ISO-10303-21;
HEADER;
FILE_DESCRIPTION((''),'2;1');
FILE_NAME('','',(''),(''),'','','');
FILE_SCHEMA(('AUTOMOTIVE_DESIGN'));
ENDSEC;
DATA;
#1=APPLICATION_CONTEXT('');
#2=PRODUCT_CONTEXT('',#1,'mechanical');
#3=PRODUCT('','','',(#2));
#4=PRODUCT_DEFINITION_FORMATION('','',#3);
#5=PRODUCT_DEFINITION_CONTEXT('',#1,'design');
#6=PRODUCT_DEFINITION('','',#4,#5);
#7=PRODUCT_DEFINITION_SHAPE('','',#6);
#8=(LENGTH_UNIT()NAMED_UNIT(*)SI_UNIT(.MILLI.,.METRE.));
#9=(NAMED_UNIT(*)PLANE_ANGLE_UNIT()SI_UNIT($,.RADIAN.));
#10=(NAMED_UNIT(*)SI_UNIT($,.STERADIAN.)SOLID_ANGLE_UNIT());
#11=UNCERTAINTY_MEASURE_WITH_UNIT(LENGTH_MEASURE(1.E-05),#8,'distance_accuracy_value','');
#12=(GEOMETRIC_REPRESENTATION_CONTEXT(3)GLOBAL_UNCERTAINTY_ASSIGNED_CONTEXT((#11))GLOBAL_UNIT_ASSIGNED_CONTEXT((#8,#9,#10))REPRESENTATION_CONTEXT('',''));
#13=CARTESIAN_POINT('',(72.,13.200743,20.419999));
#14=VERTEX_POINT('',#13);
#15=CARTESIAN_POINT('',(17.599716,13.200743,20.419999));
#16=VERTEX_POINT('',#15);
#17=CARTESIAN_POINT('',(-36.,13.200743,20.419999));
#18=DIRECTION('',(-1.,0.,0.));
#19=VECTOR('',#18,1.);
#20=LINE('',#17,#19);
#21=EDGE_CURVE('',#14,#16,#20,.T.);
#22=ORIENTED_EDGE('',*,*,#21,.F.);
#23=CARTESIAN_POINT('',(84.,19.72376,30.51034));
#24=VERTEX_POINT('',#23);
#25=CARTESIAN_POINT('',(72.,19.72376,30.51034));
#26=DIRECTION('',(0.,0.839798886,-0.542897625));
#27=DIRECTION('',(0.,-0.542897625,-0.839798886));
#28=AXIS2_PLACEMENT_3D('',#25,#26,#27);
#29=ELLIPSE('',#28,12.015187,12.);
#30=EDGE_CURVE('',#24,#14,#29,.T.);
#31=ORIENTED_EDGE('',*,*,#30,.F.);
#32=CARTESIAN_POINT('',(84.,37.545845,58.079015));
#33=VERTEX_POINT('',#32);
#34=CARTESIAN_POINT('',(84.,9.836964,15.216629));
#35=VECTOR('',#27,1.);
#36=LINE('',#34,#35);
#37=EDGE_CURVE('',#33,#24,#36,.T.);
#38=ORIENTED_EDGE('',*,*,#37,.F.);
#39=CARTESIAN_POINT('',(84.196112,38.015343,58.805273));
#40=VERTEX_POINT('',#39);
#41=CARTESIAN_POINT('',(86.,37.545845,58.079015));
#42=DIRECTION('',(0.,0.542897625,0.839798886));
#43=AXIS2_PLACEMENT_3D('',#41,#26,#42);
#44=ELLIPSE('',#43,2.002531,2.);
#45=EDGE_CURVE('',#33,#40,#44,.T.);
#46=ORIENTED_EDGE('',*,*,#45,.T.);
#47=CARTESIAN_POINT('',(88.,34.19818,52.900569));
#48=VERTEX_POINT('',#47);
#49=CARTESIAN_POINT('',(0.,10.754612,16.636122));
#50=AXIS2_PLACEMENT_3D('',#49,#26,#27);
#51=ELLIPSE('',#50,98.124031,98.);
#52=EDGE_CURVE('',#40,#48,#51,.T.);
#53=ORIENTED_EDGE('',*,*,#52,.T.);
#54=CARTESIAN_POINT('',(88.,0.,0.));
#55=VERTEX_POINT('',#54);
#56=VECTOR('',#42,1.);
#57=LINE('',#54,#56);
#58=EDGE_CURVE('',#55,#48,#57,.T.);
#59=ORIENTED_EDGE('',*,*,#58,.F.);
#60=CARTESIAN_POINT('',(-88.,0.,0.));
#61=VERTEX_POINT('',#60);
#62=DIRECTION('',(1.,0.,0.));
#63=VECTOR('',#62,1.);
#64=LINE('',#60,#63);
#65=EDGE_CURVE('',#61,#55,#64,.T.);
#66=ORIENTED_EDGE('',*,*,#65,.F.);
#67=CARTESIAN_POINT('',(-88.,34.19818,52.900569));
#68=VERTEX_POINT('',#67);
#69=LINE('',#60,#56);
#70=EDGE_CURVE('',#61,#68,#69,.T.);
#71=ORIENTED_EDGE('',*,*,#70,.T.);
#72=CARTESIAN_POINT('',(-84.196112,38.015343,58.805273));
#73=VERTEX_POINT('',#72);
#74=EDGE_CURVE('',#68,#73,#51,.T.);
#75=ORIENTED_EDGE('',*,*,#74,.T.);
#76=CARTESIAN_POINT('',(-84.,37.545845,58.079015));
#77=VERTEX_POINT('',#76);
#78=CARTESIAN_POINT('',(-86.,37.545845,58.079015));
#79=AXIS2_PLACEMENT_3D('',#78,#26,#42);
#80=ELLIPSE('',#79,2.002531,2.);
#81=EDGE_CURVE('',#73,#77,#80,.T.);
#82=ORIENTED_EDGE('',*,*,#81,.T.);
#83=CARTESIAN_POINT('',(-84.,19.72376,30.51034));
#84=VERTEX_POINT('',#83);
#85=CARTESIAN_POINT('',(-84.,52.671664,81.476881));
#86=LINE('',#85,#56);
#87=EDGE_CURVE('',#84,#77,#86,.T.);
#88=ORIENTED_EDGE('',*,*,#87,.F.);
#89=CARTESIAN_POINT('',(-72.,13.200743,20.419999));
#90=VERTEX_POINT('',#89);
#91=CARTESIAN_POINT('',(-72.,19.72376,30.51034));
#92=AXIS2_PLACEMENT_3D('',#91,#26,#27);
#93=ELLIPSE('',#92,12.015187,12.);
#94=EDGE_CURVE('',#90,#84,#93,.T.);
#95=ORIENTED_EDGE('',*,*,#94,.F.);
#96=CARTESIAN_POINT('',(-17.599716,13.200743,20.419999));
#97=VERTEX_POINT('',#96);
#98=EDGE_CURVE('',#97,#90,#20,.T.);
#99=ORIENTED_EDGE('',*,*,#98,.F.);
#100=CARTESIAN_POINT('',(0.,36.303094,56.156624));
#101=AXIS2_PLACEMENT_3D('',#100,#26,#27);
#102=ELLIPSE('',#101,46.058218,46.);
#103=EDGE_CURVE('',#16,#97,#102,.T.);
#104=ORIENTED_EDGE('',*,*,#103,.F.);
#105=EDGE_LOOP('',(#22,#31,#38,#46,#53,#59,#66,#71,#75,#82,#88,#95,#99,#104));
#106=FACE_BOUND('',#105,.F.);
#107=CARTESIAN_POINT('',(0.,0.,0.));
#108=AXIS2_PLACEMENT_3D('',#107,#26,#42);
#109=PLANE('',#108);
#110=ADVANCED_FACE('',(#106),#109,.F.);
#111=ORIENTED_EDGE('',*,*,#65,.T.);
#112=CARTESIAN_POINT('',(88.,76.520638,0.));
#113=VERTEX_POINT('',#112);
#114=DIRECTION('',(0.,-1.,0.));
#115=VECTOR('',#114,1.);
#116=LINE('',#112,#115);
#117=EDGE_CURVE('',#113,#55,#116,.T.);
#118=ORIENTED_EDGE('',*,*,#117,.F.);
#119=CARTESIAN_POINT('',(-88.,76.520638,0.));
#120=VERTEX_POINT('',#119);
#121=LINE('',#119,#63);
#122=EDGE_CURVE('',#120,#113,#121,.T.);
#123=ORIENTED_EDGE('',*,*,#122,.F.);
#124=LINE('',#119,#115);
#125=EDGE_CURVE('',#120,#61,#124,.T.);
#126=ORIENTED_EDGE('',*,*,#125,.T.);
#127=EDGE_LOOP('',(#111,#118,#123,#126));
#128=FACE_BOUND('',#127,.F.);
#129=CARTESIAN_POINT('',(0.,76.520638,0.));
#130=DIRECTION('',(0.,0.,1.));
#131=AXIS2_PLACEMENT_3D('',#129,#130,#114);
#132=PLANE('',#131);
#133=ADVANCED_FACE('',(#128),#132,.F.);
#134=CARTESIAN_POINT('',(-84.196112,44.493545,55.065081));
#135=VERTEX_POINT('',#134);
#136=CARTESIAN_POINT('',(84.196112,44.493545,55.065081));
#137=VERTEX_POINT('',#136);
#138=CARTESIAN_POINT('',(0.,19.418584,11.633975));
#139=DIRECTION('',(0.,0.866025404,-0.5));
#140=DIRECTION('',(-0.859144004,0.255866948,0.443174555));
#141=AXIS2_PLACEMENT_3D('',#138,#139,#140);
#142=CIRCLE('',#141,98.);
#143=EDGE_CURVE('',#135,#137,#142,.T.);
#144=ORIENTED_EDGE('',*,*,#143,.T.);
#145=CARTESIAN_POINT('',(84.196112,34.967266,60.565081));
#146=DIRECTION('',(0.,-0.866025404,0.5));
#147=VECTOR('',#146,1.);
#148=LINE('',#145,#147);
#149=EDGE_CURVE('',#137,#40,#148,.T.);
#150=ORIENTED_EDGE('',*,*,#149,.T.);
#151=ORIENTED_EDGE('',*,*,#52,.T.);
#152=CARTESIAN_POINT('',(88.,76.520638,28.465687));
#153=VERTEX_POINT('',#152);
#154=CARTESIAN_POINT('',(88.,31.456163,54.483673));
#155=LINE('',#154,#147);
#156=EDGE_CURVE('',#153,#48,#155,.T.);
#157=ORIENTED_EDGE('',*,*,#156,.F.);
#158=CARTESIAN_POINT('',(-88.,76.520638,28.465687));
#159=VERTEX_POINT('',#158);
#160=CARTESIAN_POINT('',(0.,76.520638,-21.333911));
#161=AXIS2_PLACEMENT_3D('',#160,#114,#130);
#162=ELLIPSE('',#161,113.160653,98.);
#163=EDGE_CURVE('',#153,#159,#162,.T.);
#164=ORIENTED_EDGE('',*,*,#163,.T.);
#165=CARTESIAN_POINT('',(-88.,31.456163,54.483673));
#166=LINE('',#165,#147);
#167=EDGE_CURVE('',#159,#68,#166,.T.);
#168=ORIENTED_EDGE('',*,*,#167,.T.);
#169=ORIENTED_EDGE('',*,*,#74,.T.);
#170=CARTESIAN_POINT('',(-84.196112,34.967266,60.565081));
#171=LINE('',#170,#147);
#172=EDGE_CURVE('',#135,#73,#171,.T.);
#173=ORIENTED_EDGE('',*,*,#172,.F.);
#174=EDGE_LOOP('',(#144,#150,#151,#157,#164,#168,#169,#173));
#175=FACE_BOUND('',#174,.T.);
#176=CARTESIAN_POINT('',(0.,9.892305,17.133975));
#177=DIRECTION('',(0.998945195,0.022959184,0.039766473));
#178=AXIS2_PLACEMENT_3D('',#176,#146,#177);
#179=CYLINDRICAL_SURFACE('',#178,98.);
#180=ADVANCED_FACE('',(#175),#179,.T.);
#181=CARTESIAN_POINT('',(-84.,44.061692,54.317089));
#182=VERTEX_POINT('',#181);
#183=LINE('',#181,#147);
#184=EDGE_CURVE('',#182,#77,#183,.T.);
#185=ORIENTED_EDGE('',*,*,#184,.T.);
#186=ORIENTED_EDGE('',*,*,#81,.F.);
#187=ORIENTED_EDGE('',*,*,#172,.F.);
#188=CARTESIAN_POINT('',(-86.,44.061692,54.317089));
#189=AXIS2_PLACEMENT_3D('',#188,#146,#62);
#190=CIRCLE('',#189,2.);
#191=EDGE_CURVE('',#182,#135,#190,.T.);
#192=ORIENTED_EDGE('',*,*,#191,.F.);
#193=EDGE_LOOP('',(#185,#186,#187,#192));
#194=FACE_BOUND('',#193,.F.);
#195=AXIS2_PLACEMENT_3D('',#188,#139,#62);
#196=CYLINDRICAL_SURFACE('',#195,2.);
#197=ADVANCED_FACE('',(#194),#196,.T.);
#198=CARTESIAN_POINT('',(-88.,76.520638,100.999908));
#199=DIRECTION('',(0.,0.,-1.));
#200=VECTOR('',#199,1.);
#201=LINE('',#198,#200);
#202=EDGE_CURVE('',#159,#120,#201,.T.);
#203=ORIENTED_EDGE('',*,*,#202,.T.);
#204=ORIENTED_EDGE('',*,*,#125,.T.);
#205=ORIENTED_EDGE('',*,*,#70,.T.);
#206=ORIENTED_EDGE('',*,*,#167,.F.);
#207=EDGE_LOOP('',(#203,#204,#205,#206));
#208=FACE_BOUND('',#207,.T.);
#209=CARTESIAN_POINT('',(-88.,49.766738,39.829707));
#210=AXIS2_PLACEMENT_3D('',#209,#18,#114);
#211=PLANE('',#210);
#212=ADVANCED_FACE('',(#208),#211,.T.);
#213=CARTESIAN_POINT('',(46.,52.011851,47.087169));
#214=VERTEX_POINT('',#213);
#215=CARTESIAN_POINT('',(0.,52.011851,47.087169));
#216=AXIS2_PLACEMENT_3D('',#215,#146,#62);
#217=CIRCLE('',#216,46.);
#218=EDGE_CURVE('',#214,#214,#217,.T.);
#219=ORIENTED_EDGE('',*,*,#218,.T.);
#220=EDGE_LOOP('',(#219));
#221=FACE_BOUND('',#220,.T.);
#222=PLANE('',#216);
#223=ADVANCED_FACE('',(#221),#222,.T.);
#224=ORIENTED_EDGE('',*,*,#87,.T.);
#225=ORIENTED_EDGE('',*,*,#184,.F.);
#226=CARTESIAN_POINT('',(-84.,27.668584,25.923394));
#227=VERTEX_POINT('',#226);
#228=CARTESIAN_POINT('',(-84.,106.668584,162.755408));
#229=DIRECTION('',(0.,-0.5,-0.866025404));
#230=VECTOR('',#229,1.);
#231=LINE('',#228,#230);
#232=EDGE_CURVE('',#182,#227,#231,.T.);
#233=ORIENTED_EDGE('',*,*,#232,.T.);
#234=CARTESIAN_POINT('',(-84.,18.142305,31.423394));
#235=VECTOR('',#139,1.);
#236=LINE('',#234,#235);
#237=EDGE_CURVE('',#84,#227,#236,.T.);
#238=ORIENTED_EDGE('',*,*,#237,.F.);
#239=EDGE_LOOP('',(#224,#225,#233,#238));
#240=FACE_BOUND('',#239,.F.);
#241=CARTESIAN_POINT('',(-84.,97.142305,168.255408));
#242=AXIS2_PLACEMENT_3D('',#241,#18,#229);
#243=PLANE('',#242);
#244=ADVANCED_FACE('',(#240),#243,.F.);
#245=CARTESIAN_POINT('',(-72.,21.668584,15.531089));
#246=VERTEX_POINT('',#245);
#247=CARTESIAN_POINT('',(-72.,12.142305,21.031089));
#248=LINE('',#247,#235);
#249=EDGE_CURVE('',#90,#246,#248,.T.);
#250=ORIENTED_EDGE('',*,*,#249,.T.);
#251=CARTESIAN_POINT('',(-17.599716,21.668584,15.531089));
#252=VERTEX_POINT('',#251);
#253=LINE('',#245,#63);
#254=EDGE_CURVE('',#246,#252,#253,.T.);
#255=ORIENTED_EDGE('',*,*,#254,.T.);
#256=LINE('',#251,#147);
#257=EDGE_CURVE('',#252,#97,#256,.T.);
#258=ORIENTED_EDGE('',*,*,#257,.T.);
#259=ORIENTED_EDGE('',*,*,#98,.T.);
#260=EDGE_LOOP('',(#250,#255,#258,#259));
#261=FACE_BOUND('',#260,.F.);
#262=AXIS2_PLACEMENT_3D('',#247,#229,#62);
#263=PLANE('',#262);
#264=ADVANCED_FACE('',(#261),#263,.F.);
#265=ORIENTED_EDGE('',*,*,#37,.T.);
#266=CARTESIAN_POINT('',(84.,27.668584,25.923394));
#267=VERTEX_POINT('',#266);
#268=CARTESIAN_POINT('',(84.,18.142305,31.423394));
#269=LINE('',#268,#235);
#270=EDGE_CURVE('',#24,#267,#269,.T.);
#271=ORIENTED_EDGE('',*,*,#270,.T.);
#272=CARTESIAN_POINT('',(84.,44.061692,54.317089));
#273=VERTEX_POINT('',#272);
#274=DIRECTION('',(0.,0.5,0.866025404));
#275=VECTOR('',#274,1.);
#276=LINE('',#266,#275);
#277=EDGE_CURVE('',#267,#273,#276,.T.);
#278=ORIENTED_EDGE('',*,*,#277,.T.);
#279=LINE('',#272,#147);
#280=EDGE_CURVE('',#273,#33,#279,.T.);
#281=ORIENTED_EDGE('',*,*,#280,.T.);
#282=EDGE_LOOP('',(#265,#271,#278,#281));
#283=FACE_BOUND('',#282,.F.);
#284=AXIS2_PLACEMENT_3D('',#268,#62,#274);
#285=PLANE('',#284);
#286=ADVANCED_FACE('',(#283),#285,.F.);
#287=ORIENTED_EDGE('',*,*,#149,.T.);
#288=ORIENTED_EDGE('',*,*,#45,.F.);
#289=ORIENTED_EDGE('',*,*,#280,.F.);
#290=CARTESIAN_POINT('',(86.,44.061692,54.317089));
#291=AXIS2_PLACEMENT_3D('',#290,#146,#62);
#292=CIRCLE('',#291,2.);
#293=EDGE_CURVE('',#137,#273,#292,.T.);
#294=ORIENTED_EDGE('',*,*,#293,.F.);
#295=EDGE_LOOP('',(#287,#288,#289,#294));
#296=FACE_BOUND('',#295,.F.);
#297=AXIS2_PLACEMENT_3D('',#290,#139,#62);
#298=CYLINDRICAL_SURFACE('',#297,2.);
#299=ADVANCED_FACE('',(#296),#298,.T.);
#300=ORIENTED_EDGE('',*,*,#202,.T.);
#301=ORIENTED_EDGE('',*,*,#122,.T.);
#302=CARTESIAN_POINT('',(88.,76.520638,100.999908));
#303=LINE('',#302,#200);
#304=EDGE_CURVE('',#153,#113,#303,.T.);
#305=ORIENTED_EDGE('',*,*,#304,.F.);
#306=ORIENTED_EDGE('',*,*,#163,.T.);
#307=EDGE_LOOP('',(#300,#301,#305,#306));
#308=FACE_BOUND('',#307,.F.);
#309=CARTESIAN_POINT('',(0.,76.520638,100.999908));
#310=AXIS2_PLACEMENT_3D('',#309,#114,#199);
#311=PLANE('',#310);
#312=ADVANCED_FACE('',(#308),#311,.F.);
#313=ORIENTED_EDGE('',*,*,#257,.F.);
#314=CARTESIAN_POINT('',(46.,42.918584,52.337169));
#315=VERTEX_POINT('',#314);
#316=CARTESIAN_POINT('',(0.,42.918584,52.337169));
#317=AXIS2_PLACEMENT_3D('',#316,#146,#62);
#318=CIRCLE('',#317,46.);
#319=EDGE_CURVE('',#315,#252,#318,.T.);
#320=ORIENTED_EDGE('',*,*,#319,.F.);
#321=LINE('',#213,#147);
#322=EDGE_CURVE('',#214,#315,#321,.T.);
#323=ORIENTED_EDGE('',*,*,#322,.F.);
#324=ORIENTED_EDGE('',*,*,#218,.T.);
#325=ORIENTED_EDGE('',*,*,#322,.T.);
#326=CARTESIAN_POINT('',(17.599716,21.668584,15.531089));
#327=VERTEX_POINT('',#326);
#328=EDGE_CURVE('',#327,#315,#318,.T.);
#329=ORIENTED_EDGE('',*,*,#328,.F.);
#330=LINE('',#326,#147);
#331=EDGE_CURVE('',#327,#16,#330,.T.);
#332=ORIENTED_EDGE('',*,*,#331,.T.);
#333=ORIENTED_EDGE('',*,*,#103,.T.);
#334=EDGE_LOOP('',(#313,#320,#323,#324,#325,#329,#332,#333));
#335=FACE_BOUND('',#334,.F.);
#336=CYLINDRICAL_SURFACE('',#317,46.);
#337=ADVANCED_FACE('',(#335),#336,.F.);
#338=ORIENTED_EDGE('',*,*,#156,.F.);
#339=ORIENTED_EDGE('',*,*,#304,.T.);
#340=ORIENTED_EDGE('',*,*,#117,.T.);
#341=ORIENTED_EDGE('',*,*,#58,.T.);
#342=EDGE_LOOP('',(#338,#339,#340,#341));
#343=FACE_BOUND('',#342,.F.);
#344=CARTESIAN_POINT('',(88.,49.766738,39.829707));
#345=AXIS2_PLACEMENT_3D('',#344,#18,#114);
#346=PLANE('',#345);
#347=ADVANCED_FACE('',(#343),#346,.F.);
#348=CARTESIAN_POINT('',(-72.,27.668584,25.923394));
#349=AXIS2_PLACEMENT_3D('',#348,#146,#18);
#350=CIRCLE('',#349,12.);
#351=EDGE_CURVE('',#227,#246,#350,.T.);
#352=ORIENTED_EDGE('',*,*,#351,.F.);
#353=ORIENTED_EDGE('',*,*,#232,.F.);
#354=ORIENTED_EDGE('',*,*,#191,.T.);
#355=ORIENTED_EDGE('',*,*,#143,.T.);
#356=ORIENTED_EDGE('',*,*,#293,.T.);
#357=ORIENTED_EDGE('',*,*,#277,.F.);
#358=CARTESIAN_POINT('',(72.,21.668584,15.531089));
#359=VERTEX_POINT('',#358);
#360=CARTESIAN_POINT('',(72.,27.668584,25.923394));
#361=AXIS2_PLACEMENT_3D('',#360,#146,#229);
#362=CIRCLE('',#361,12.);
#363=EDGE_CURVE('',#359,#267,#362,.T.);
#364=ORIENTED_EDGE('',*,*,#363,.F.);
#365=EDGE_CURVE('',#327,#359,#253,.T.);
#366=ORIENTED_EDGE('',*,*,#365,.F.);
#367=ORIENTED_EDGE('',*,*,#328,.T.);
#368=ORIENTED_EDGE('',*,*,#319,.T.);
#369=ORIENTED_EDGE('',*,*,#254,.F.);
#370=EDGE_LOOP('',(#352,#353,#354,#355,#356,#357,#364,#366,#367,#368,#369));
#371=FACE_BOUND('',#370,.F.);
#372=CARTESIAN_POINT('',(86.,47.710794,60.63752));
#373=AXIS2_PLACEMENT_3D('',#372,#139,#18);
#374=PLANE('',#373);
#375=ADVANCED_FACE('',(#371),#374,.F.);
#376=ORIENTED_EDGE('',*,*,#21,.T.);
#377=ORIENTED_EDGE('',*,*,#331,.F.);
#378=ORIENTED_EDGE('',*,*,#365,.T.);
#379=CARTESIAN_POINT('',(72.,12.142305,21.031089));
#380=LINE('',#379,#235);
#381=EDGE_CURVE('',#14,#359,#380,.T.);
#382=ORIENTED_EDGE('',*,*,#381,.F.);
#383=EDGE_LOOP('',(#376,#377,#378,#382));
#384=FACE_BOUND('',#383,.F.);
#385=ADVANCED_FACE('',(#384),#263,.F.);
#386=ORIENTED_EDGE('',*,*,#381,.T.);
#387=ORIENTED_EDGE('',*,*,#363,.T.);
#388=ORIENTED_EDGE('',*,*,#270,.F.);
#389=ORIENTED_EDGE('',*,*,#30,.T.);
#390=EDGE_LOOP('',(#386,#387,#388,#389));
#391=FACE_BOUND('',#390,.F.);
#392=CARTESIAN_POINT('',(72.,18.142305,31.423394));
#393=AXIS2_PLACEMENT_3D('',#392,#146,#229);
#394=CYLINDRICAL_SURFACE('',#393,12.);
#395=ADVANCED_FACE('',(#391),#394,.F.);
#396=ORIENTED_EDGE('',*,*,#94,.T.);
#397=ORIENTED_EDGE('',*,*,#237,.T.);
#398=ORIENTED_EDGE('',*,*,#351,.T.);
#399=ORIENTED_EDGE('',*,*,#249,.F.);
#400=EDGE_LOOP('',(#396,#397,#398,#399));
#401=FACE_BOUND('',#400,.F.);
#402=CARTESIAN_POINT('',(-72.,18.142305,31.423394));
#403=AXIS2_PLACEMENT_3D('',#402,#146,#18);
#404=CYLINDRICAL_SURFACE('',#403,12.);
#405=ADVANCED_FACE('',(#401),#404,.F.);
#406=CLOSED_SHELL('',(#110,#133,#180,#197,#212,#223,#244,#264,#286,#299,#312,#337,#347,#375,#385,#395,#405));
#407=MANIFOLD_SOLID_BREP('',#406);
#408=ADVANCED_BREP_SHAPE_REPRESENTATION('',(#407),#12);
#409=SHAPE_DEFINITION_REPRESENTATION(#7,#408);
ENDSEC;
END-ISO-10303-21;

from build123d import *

# Parameters (mm, degrees)
PAD_DEPTH       = 88
POCKET_DEPTH    = 11
SKETCH011_R     = 46
POCKET001_DEPTH = 10.5
POCKET002_DEPTH = 66.2698164218
POCKET003_DEPTH = 10


with BuildPart() as part:
    # Sketch → Pad (new body, symmetric)
    with BuildSketch(Plane.YZ):
        Polygon((0, 0), (65.2925492254, 100.9999079658), (76.520638, 100.9999079658), (76.520638, 0), align=None)
    extrude(amount=PAD_DEPTH, both=True)

    # Sketch010 (on DatumPlane) → Pocket (cut)
    with BuildSketch(Plane(origin=(0, 54.6423048454, 94.6432482349), x_dir=(1, 0, 0), z_dir=(0, -0.8660254038, 0.5))):
        with BuildLine():
            Line((-84, 85), (-84, -73))
            ThreePointArc((-84, -73), (-80.4852813742, -81.4852813742), (-72, -85))
            Line((-72, -85), (72, -85))
            ThreePointArc((72, -85), (80.4852813742, -81.4852813742), (84, -73))
            Line((84, -73), (84, 85))
            Line((84, 85), (-84, 85))
        make_face()
    extrude(amount=-POCKET_DEPTH, mode=Mode.SUBTRACT)

    # Sketch011 (on Face12 of Pocket) → Pocket001 (cut, symmetric)
    with BuildSketch(Plane(origin=(0, 9.5262794416, -5.5), x_dir=(1, 0, 0), z_dir=(0, -0.8660254038, 0.5))):
        with Locations((0, 66.7846096908)):
            Circle(SKETCH011_R)
    extrude(amount=POCKET001_DEPTH, both=True, mode=Mode.SUBTRACT)

    # Sketch012 (on Face14 of Pocket001) → Pocket002 (cut, through all)
    with BuildSketch(Plane(origin=(0, 0, 0), x_dir=(1, 0, 0), z_dir=(0, -0.8660254038, 0.5))):
        with BuildLine():
            ThreePointArc((97.8966291555, 24.2846096908), (0, 117.7846096908), (-97.8966291555, 24.2846096908))
            Line((-97.8966291555, 154.2846096908), (-97.8966291555, 24.2846096908))
            Line((97.8966291555, 154.2846096908), (-97.8966291555, 154.2846096908))
            Line((97.8966291555, 24.2846096908), (97.8966291555, 154.2846096908))
        make_face()
    extrude(amount=-POCKET002_DEPTH, mode=Mode.SUBTRACT)

    # Sketch016 (on Face14 of Pocket002) → Pocket003 (cut)
    with BuildSketch(Plane(origin=(0, 9.5262794416, -5.5), x_dir=(1, 0, 0), z_dir=(0, -0.8660254038, 0.5))):
        with BuildLine():
            ThreePointArc((88, 69.0708248262), (86, 71.0708248262), (84, 69.0708248262))
            Line((84, 84.0708248262), (84, 69.0708248262))
            Line((88, 84.0708248262), (84, 84.0708248262))
            Line((88, 69.0708248262), (88, 84.0708248262))
        make_face()
        with BuildLine():
            ThreePointArc((-84, 69.0708248262), (-86, 71.0708248262), (-88, 69.0708248262))
            Line((-88, 85.0708248262), (-88, 69.0708248262))
            Line((-84, 85.0708248262), (-88, 85.0708248262))
            Line((-84, 69.0708248262), (-84, 85.0708248262))
        make_face()
    extrude(amount=POCKET003_DEPTH, mode=Mode.SUBTRACT)


solid = part.part
